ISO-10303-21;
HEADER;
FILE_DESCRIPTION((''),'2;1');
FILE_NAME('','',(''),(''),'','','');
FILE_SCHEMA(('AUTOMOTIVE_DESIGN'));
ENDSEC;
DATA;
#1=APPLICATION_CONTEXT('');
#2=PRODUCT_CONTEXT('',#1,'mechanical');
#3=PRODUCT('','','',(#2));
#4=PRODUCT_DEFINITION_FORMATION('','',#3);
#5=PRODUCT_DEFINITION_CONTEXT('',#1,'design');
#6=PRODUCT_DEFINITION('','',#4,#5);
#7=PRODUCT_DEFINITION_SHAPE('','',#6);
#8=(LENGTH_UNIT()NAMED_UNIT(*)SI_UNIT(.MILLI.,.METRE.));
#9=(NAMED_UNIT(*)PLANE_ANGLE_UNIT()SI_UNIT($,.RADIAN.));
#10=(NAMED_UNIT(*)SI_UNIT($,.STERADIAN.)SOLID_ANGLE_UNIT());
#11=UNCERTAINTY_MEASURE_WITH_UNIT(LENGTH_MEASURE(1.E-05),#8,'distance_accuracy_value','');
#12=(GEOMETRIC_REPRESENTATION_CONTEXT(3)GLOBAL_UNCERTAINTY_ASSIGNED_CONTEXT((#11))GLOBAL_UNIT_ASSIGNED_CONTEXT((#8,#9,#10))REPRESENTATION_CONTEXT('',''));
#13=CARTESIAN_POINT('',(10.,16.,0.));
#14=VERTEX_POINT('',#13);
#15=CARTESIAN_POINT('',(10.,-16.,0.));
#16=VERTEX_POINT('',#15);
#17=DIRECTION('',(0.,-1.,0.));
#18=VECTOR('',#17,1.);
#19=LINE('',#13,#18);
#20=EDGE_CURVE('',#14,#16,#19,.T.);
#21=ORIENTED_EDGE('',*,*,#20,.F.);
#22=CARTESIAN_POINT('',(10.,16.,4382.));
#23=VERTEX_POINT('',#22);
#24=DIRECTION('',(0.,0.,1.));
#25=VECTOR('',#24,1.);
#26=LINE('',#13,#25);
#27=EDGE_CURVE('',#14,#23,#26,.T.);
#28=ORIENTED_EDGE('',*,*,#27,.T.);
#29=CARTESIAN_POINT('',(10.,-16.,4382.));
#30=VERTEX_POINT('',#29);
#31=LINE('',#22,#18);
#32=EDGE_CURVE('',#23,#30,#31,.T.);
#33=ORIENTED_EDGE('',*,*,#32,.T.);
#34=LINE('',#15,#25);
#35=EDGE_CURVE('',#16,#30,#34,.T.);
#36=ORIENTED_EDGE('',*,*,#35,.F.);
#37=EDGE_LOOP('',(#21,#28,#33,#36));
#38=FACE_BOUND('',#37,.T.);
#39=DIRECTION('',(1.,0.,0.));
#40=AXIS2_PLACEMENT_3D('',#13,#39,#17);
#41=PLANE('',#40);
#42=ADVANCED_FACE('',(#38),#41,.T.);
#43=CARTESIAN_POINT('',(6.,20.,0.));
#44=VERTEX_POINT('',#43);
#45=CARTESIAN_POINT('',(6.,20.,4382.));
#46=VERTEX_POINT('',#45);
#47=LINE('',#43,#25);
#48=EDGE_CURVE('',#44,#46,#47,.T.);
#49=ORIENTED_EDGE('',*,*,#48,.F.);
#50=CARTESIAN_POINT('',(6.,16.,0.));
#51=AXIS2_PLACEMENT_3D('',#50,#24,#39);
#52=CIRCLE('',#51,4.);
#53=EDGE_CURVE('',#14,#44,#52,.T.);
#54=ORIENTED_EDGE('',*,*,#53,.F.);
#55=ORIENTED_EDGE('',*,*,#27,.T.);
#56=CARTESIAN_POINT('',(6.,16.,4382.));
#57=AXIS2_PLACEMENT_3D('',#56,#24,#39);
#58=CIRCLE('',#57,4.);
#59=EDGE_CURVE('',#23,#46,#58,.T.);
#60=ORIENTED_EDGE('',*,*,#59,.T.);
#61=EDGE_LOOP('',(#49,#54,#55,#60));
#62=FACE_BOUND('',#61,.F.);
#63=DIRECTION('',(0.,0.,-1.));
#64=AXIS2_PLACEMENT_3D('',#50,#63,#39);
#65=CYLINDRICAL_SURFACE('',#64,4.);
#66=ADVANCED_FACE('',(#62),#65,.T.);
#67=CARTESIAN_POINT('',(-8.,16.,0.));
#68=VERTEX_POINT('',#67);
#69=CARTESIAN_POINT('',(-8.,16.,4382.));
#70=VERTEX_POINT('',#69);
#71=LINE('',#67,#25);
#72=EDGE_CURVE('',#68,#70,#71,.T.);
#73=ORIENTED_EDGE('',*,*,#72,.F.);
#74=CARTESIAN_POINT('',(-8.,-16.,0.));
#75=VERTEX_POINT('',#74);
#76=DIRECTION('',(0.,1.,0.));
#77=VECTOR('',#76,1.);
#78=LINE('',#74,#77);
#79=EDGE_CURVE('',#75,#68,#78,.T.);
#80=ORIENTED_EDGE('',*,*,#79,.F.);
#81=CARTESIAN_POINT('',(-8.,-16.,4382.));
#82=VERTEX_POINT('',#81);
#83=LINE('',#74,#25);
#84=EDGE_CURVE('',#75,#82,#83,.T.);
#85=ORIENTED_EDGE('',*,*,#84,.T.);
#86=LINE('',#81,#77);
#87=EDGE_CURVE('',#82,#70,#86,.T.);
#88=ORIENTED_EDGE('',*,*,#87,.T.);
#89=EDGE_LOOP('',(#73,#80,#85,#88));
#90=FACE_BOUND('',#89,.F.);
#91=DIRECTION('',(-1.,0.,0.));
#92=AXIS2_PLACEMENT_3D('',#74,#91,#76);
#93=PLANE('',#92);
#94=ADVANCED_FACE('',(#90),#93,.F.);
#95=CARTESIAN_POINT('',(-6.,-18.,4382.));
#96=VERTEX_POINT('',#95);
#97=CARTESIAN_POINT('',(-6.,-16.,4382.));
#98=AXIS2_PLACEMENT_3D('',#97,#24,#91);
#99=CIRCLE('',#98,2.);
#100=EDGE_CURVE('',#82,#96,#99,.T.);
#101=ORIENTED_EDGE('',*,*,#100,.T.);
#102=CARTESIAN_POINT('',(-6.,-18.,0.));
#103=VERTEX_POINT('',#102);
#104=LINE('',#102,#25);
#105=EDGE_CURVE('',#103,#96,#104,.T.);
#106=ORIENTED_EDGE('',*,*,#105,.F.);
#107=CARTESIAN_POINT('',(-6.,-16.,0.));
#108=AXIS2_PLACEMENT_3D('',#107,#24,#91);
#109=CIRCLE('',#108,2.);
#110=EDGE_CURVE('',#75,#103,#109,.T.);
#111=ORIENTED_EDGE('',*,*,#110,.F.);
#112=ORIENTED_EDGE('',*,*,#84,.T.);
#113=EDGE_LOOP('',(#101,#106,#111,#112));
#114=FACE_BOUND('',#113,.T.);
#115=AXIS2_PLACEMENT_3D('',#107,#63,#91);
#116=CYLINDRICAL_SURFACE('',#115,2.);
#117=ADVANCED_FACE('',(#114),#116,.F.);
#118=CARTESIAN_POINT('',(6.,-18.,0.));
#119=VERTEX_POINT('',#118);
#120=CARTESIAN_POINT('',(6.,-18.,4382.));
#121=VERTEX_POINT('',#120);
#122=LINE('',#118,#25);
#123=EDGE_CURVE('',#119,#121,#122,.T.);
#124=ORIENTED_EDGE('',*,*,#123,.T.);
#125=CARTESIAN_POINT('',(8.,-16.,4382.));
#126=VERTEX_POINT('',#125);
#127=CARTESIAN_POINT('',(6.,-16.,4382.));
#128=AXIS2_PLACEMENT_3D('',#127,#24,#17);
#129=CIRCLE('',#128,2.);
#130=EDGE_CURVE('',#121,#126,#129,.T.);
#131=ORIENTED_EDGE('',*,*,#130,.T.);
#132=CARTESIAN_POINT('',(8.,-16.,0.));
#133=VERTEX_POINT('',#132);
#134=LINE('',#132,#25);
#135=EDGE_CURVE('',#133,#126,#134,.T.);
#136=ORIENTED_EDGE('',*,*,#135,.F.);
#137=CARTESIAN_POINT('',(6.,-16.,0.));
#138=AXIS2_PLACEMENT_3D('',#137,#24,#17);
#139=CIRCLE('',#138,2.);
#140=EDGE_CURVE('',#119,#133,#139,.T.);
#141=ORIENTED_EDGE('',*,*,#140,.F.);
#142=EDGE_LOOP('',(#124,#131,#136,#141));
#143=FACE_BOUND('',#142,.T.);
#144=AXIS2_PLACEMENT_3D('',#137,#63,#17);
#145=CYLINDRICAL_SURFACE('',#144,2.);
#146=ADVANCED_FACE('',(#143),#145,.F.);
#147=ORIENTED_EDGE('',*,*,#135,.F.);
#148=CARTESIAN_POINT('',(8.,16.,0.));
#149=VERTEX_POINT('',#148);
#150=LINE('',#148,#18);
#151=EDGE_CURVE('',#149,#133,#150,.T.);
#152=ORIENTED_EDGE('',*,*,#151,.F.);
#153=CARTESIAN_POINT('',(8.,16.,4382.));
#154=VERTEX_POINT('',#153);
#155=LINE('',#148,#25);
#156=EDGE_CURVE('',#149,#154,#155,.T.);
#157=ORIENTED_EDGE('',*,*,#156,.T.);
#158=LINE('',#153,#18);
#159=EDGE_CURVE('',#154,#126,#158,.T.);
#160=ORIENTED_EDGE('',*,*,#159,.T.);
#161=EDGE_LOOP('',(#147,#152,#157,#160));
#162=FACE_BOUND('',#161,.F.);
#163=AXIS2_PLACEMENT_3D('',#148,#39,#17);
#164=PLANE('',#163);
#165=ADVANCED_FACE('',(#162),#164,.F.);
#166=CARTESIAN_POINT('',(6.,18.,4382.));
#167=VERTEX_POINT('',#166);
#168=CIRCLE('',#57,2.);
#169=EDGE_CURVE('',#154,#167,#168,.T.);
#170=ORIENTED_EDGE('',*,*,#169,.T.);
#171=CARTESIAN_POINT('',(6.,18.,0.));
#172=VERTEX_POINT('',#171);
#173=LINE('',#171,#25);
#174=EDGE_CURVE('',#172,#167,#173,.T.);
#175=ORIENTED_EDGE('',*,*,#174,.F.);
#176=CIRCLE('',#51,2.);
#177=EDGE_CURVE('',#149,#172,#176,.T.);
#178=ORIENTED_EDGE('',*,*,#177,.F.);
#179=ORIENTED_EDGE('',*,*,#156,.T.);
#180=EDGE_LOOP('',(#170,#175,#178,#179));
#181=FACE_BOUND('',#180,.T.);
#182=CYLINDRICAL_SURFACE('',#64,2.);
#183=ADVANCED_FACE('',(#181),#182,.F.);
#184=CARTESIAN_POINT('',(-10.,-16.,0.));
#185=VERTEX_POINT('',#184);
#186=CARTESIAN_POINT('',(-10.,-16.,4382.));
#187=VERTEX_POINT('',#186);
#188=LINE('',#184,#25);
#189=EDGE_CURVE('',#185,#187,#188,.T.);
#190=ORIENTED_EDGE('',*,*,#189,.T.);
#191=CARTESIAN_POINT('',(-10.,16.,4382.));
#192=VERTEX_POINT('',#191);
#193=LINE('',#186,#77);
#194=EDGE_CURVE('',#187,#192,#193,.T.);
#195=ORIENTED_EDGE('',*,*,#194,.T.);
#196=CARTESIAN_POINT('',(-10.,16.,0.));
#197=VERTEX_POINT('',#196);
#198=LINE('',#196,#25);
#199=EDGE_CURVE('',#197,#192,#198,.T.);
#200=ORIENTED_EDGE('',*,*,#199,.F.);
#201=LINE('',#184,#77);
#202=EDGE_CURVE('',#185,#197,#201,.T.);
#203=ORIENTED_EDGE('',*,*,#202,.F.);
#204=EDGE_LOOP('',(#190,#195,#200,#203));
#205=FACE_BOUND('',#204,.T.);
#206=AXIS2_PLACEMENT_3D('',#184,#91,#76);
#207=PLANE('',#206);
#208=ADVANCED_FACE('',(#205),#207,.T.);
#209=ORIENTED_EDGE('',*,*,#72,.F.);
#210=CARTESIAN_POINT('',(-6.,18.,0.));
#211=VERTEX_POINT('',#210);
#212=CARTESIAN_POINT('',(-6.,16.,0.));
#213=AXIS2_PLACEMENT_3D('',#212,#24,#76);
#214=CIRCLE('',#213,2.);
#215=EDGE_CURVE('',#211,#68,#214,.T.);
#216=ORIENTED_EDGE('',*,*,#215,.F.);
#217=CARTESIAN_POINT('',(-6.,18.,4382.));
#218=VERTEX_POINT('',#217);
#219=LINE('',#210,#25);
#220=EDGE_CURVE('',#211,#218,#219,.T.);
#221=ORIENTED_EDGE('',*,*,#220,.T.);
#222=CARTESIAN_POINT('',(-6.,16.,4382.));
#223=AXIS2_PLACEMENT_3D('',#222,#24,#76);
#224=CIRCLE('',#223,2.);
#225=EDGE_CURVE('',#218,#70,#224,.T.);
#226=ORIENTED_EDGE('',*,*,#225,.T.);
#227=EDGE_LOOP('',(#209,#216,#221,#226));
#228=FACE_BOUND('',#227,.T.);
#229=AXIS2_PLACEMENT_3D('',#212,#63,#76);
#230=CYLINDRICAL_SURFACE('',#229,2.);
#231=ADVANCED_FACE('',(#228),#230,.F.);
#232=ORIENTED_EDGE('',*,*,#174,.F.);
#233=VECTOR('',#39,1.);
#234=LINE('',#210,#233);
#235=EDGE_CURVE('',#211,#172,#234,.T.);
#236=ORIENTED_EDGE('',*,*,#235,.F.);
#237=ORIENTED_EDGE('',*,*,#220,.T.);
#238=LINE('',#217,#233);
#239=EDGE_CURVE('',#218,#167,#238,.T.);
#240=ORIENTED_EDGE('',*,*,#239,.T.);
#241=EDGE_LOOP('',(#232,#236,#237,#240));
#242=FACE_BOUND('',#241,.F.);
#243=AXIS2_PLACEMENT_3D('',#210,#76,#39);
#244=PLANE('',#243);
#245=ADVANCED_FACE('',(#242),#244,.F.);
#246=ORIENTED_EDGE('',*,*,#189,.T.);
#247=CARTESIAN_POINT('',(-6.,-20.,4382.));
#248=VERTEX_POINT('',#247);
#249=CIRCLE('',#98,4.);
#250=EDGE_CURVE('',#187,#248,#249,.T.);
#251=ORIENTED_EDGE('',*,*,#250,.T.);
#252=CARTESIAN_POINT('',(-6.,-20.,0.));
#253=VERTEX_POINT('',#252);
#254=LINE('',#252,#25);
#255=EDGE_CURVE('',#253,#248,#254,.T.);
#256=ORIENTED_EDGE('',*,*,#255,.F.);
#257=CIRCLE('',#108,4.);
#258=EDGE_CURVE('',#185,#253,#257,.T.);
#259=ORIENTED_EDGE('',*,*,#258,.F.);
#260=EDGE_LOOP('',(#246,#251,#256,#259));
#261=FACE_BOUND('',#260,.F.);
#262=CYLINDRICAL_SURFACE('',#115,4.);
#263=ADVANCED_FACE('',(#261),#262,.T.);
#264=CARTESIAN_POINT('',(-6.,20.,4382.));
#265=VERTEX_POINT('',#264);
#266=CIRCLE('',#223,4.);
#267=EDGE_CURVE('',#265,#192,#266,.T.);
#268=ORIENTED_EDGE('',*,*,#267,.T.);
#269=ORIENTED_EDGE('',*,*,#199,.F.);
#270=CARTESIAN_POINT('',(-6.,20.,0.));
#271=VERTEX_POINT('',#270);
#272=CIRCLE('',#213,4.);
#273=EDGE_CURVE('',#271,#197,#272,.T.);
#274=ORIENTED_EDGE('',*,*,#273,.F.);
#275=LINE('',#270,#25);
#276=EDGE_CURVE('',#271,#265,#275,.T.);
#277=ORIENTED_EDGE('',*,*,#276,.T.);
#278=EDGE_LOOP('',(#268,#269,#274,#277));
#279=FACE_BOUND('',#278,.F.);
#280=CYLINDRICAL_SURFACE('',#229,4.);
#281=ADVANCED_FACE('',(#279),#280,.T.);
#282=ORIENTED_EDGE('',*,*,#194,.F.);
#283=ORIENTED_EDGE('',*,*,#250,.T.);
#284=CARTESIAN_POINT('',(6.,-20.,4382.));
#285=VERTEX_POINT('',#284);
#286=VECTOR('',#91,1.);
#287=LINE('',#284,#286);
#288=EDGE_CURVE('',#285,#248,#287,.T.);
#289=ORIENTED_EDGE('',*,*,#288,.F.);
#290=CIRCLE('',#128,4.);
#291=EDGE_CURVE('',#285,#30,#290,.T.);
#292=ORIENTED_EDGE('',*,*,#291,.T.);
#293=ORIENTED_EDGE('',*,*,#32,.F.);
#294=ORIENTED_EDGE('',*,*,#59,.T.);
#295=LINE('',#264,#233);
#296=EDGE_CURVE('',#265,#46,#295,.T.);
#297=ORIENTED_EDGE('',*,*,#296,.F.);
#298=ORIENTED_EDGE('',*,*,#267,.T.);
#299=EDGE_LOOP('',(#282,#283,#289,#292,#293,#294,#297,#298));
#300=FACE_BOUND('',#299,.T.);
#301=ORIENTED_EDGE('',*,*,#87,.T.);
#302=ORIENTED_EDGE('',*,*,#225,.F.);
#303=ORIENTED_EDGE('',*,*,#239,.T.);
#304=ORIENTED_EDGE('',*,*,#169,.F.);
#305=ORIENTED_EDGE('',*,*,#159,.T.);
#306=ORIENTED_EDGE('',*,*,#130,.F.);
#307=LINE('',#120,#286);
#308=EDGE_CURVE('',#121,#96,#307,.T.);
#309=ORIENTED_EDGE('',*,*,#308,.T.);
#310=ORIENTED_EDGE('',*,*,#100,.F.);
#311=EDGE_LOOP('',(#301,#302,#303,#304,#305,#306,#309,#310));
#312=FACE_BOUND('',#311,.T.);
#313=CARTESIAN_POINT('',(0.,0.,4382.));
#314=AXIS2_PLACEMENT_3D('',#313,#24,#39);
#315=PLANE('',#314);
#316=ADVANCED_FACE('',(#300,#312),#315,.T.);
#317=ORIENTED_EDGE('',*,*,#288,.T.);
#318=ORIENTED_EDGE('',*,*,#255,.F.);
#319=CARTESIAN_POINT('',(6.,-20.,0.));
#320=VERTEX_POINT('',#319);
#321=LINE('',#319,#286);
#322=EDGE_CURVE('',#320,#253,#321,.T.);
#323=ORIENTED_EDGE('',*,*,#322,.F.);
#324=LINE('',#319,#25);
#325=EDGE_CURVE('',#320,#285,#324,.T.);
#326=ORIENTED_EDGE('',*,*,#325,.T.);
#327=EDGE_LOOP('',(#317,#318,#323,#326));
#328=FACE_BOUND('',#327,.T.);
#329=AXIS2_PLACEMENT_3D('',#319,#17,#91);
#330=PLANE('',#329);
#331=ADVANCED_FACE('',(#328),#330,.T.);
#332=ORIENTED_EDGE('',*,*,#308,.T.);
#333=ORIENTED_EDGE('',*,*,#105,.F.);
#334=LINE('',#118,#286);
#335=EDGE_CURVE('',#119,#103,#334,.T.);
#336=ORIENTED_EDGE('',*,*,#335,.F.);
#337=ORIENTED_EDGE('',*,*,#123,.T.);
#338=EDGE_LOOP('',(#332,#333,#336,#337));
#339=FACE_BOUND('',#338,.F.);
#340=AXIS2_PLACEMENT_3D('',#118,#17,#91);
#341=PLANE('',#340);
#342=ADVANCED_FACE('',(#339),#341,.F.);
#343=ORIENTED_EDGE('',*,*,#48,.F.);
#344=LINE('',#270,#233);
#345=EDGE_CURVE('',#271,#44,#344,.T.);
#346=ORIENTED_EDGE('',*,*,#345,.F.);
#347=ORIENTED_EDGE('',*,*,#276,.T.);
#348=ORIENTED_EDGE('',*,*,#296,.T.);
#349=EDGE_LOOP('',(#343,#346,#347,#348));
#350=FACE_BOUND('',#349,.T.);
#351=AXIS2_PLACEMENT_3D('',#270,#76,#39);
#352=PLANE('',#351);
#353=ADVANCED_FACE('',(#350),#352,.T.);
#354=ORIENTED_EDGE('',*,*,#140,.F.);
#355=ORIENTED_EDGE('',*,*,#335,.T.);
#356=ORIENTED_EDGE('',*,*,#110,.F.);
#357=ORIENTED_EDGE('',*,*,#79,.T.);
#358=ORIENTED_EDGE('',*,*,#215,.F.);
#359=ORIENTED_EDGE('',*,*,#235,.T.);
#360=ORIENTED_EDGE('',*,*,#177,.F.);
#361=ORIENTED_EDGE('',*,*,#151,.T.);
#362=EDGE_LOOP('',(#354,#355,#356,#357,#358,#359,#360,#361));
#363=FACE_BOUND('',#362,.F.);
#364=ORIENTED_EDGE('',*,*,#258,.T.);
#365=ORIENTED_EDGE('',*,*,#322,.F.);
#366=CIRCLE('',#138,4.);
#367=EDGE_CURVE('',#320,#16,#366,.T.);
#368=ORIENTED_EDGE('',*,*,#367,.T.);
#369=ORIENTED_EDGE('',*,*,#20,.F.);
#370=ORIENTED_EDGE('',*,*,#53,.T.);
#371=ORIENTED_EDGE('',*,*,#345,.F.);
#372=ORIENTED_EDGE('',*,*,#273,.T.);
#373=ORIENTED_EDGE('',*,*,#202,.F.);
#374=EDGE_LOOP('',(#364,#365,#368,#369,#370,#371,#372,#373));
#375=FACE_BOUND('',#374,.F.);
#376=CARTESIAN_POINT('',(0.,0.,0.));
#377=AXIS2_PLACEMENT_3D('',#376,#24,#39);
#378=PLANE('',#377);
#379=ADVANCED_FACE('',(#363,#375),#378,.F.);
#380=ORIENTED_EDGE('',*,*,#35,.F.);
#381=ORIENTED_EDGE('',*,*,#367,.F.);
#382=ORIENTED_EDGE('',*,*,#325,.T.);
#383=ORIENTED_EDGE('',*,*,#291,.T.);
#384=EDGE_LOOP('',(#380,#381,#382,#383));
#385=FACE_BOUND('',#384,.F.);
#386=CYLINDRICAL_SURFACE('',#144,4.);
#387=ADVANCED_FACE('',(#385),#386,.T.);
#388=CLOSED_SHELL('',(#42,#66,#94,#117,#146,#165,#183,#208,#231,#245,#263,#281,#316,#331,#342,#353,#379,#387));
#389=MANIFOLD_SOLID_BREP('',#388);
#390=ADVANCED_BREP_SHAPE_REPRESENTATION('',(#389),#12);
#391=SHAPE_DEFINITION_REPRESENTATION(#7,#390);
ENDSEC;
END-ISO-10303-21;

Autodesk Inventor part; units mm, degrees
ref_plane "YZ Plane" through (0, 0, 0) normal (1, 0, 0) x (0, 1, 0)
ref_plane "Start Plane" through (0, 0, 0) normal (0, 0, 1) x (1, 0, 0)
ref_plane "End Plane" through (0, 0, 4382) normal (0, 0, 1) x (1, 0, 0)
sketch "Sketch" plane through (0, 0, 0) normal (0, 0, 1) x (1, 0, 0)
  line L0 (-10, -16) -> (-10, 16)
  line L1 (-6, 20) -> (6, 20)
  line L2 (10, 16) -> (10, -16)
  line L3 (6, -20) -> (-6, -20)
  arc A0 (-10, -16) -> (-6, -20) centre (-6, -16) ccw
  arc A1 (10, 16) -> (6, 20) centre (6, 16) ccw
  arc A2 (-6, 20) -> (-10, 16) centre (-6, 16) ccw
  arc A3 (6, -20) -> (10, -16) centre (6, -16) ccw
  arc A4 (-6, 18) -> (-8, 16) centre (-6, 16) ccw
  line L4 (-6, 18) -> (6, 18)
  arc A5 (8, 16) -> (6, 18) centre (6, 16) ccw
  line L5 (8, 16) -> (8, -16)
  arc A6 (6, -18) -> (8, -16) centre (6, -16) ccw
  line L6 (6, -18) -> (-6, -18)
  arc A7 (-8, -16) -> (-6, -18) centre (-6, -16) ccw
  line L7 (-8, -16) -> (-8, 16)
  line L8 (0, 29.1598) -> (0, -29.1598) construction
  line L9 (-15.1598, 0) -> (15.1598, 0) construction
  dimension "d7" = 4
  dimension "d9" = 20
  dimension "d11" = 40
  dimension "d12" = 2
  dimension "d15" = 10
  dimension "d16" = 20
extrude "Body" add sketch "Sketch" along normal up to surface (4382 mm away) from surface at 0
sketch "Sketch3" plane through (0, 0, 0) normal (0, 0, 1) x (1, 0, 0)
  line L0 (0, 0) -> (10, 0)
ref_plane "Work Plane3" through (0, 0, 0) normal (0, -1, 0) x (1, 0, 0)
sketch "Sketch4" plane through (0, 0, 0) normal (0, -1, 0) x (1, 0, 0)
  line L0 (-2, 0) -> (12, 0) projected
  line L1 (-2, 4382) -> (12, 4382) projected
  dimension "d18" = 4382
equation "\"d7\" = G_IR"
equation "\"d9\" = G_W"
equation "\"d11\" = G_H"
equation "\"d12\" = G_T"
equation "\"d15\" = 0.5 * d9"
equation "\"d16\" = 0.5 * d11"
equation "\"d3\" = G_L"
equation "\"G_W\" = 20"
equation "\"G_H\" = 40"
equation "\"G_T\" = 2"
equation "\"G_IR\" = 4"
equation "\"G_L\" = d18"
equation "\"G_OFFSET_START\" = 0"
equation "\"G_OFFSET_END\" = 0"
equation "\"d14\" = G_OFFSET_END + B_L"
equation "\"B_L\" = 4382"
properties part number "ISO 4019 - 40x20x2 - 4382" material "Steel, Mild"
